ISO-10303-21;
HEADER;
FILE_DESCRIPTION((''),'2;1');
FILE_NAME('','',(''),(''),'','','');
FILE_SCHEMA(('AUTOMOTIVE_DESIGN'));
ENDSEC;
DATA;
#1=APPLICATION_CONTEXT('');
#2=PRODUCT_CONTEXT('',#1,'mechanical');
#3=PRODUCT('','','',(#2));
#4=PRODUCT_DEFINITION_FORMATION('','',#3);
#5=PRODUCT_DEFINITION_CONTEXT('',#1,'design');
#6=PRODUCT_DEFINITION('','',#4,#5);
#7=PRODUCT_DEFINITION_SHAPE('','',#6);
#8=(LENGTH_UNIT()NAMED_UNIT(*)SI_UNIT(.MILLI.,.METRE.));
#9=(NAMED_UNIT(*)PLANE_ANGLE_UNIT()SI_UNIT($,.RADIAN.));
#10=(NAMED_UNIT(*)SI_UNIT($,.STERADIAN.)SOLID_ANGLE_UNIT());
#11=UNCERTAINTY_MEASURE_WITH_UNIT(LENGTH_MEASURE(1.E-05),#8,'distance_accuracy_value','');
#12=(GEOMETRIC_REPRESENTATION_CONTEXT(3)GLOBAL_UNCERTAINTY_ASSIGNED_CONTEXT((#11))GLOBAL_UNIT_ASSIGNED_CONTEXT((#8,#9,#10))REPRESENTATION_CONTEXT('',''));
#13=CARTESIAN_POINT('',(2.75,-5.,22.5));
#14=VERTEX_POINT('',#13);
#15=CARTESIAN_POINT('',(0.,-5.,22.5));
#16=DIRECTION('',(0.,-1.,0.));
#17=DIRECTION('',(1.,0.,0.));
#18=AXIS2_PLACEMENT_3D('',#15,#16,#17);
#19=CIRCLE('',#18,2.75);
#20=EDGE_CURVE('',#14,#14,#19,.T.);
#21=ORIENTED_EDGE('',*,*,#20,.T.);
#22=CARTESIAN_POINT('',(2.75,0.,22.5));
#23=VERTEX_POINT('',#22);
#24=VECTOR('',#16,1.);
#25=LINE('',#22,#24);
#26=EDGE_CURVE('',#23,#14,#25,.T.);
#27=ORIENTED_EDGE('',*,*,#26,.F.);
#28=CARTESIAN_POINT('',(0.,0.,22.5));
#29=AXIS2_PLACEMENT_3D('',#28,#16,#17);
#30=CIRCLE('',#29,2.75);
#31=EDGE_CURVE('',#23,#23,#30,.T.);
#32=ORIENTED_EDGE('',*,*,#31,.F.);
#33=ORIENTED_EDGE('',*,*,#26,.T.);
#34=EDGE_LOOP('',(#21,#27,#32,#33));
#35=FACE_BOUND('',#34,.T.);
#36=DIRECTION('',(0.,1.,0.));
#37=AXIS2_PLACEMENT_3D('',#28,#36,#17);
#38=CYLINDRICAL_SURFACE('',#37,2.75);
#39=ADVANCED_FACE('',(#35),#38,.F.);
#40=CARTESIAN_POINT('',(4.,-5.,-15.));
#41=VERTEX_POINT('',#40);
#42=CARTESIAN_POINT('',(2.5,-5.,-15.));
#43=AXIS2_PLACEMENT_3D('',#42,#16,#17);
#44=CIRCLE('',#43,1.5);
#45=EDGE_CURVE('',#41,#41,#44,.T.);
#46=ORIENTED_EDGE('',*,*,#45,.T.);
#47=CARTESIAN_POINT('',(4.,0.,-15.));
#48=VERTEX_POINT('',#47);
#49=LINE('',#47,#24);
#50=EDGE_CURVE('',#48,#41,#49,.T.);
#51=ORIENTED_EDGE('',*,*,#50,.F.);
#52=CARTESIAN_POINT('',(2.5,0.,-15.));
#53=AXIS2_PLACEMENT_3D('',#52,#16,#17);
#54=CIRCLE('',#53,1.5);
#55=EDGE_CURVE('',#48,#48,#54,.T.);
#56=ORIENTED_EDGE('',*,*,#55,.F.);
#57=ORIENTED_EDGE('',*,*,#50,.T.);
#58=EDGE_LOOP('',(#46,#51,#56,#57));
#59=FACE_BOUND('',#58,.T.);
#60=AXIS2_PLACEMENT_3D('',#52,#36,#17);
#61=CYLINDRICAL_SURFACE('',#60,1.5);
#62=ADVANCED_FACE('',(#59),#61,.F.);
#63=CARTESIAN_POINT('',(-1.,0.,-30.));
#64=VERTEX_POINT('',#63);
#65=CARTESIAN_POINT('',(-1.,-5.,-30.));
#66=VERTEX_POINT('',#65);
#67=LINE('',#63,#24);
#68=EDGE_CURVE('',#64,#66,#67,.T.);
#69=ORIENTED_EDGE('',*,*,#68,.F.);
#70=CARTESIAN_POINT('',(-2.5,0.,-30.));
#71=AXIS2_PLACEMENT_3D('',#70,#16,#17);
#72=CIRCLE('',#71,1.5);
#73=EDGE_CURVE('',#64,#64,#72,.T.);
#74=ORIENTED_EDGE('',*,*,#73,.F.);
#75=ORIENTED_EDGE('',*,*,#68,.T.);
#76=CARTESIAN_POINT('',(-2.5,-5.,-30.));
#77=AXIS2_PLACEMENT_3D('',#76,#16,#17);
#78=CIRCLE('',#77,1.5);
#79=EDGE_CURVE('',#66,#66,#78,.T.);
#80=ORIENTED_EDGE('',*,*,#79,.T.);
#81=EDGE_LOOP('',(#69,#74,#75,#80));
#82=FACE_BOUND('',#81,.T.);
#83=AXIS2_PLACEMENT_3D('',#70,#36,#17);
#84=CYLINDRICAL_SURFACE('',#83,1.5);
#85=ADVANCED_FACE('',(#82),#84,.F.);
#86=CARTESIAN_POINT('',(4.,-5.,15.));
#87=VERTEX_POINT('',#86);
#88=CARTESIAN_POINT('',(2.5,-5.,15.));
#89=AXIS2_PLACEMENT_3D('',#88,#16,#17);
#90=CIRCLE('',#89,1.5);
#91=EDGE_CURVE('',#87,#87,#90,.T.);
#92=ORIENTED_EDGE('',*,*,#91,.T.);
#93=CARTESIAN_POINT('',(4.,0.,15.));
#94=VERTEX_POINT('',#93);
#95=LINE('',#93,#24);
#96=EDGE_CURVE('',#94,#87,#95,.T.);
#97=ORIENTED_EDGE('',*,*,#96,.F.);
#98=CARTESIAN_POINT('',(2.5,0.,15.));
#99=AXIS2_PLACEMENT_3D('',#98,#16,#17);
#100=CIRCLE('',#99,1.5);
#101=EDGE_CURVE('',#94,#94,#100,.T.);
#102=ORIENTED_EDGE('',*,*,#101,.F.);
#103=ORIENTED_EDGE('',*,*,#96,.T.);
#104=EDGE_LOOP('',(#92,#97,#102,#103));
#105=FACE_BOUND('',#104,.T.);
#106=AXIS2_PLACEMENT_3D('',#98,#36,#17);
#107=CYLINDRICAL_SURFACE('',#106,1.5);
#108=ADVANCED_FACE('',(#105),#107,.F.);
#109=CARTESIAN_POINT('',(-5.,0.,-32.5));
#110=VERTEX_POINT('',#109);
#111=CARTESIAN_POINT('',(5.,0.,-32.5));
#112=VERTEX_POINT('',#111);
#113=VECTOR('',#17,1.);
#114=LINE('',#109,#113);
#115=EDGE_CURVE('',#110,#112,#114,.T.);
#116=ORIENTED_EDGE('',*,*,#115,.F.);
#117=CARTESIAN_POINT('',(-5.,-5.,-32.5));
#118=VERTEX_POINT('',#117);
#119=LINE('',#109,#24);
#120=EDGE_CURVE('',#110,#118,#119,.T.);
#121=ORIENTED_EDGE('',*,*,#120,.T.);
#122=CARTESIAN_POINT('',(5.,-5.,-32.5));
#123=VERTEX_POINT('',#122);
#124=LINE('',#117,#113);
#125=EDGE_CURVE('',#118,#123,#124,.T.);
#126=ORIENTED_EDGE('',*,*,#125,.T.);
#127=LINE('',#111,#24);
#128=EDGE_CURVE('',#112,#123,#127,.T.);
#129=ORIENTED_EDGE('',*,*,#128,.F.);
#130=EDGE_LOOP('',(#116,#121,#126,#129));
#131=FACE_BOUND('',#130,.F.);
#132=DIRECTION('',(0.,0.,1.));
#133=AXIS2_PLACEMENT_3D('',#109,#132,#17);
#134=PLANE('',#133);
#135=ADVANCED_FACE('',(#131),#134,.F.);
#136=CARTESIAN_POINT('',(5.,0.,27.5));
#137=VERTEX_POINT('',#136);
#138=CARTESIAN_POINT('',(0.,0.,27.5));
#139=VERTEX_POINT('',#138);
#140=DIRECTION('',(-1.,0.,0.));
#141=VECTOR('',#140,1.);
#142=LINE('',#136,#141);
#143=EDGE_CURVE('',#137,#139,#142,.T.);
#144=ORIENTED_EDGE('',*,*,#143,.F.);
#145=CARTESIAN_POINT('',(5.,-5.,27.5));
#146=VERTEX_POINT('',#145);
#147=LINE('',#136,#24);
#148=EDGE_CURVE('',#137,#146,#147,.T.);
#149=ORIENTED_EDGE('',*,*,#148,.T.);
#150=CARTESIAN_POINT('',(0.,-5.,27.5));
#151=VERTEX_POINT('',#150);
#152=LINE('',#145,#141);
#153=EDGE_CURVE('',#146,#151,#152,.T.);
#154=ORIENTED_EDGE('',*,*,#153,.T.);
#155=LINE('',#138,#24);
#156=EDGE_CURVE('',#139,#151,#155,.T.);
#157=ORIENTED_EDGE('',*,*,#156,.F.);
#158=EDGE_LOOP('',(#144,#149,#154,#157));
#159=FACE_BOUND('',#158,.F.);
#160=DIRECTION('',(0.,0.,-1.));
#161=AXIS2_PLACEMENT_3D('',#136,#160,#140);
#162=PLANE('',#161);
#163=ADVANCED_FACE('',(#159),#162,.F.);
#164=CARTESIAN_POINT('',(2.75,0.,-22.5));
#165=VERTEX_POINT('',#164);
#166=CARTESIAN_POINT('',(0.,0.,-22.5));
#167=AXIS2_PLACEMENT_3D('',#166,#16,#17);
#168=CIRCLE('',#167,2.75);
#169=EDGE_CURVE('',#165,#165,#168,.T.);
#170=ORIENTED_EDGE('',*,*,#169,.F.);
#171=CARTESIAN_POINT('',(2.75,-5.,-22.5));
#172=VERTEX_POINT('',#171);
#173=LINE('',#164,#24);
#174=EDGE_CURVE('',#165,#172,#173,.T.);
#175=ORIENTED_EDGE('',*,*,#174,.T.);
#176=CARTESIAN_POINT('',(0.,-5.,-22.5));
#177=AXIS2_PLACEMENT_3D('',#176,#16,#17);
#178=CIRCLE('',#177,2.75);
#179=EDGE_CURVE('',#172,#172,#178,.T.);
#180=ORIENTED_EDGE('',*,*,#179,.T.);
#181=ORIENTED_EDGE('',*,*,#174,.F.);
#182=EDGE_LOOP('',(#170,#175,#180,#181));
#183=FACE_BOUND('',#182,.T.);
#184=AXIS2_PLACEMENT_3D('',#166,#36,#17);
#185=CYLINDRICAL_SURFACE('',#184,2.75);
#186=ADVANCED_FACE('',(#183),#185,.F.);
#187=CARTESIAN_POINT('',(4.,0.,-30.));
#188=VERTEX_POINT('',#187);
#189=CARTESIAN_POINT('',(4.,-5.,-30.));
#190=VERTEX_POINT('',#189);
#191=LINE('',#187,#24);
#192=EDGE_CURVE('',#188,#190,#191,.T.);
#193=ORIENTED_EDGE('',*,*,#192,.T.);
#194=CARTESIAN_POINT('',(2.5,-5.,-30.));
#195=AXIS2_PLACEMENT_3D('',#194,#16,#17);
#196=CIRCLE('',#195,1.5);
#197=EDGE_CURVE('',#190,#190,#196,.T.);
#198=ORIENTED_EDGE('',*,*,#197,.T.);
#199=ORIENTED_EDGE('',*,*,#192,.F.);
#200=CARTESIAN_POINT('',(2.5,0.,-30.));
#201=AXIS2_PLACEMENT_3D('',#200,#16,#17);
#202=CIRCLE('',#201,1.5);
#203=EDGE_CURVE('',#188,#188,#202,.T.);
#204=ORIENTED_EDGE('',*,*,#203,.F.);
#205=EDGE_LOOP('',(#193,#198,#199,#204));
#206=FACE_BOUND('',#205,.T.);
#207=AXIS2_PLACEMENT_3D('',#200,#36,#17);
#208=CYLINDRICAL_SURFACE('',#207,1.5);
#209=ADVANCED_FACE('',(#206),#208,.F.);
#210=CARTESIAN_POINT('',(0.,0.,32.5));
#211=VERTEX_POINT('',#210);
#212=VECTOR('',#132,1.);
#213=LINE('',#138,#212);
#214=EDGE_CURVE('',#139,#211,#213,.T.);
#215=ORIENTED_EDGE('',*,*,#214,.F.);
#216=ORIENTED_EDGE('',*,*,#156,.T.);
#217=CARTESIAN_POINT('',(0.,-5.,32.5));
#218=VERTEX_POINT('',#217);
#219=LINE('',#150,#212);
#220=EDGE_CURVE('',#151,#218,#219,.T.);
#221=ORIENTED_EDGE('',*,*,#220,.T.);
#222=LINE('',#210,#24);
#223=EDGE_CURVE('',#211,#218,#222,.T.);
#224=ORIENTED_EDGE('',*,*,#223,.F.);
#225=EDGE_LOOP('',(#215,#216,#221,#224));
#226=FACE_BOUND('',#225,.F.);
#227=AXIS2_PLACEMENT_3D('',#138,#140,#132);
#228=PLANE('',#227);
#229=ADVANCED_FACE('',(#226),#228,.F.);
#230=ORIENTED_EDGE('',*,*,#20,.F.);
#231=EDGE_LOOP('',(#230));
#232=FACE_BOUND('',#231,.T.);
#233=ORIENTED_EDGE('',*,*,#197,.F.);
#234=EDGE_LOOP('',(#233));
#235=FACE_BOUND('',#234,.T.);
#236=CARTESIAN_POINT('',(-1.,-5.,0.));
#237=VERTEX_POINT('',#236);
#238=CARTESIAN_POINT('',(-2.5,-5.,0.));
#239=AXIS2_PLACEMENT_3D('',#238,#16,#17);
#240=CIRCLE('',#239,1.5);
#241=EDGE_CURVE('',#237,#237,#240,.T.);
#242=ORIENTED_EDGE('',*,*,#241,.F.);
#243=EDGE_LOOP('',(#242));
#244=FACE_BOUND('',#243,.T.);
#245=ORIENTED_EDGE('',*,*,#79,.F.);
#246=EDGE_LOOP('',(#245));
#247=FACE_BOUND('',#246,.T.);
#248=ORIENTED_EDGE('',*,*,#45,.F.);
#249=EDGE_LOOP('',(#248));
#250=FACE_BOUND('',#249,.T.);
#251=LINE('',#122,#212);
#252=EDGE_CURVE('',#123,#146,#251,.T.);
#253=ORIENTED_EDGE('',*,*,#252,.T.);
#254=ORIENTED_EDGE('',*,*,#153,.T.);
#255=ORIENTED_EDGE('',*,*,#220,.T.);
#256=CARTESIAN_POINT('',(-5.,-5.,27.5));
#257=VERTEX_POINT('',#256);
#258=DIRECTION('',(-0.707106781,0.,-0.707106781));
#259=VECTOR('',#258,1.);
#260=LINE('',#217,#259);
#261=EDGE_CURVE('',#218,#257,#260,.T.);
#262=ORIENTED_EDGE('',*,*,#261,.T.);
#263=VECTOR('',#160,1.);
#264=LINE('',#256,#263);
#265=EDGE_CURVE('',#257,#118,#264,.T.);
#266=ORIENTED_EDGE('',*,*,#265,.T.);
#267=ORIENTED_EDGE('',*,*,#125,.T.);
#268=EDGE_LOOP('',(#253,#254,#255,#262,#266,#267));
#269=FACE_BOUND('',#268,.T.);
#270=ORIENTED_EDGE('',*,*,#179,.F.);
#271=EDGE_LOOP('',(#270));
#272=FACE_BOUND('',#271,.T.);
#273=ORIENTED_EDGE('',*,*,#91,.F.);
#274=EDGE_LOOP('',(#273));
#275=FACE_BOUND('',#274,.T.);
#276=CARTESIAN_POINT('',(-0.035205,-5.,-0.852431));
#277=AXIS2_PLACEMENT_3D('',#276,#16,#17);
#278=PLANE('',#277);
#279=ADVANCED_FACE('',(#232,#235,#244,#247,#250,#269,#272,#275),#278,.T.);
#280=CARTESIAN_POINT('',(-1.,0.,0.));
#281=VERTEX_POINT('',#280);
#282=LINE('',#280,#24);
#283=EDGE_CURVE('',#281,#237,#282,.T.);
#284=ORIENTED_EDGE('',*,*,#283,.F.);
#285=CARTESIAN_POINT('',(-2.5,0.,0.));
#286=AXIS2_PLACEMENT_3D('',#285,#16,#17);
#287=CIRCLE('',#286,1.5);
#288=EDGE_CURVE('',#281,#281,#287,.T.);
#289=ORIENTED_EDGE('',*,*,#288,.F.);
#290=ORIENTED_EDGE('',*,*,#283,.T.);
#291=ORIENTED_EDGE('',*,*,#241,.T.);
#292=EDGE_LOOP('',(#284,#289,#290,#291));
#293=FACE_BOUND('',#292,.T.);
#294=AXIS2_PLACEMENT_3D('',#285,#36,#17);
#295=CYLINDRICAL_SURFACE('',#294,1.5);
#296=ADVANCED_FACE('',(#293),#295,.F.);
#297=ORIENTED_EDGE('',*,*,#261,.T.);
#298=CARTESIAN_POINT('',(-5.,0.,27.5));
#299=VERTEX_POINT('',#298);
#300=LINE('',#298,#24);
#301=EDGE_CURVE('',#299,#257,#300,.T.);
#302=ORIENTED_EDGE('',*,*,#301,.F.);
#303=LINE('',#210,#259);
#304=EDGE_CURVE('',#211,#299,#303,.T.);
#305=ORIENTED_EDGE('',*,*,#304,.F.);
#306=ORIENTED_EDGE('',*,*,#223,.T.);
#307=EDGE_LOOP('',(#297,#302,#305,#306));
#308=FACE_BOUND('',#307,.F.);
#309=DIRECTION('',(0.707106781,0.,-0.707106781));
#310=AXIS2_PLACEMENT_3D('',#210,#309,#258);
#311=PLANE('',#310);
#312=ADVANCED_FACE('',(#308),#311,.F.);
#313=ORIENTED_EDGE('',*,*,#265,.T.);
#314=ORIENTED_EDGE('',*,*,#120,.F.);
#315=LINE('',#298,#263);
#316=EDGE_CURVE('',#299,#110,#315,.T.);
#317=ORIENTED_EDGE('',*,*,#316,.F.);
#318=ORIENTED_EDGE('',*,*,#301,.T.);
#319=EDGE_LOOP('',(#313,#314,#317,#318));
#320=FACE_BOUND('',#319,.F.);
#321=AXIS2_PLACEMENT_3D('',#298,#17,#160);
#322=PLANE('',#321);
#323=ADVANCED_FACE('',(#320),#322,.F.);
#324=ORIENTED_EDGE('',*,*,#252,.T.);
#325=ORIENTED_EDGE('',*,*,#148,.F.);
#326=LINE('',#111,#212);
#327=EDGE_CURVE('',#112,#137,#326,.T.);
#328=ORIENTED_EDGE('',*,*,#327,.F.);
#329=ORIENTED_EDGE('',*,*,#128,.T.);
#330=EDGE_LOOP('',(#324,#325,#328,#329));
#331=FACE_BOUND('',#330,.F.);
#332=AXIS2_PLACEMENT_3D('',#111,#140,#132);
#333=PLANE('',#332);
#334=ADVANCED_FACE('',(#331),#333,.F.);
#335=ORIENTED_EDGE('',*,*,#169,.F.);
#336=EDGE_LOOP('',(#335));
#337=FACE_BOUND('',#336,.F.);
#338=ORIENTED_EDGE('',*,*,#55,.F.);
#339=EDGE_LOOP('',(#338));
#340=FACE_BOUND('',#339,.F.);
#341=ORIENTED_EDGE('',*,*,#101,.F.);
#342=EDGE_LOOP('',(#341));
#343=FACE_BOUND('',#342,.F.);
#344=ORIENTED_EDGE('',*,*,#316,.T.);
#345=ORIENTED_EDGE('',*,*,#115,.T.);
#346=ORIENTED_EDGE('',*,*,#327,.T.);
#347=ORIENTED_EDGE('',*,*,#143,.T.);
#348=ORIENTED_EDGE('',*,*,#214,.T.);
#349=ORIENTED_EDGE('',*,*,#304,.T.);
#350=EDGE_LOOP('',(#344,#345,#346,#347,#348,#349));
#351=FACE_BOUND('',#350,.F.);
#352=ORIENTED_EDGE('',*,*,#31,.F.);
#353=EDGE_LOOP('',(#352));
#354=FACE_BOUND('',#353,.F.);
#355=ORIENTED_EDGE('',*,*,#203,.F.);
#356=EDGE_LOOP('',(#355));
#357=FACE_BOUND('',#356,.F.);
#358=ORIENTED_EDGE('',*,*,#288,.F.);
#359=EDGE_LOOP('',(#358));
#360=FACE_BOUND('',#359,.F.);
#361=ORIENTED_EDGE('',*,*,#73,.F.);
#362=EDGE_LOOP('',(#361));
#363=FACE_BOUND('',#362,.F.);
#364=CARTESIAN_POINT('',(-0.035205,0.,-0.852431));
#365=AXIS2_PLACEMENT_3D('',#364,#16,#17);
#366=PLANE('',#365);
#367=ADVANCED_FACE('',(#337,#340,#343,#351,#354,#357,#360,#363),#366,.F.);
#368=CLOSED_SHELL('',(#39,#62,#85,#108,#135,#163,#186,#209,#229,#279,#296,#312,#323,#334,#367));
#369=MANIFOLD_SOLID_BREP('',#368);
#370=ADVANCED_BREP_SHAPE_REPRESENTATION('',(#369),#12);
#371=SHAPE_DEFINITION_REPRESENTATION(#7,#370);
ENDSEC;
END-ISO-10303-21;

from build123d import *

# Parameters (mm, degrees)
F0_R     = 1.5
F0_R_2   = 2.75
F1_DEPTH = 5


with BuildPart() as f1:
    # F0 (on Front) → F1 (new body)
    with BuildSketch(Plane.XZ):
        Polygon((-5, 27.5), (-5, -32.5), (5, -32.5), (5, 27.5), (0, 27.5), (0, 32.5), align=None)
        with Locations((-2.5, -30)):
            Circle(F0_R, mode=Mode.SUBTRACT)
        with Locations((0, -22.5)):
            Circle(F0_R_2, mode=Mode.SUBTRACT)
        with Locations((2.5, -30)):
            Circle(F0_R, mode=Mode.SUBTRACT)
        with Locations((2.5, -15)):
            Circle(F0_R, mode=Mode.SUBTRACT)
        with Locations((-2.5, 0)):
            Circle(F0_R, mode=Mode.SUBTRACT)
        with Locations((2.5, 15)):
            Circle(F0_R, mode=Mode.SUBTRACT)
        with Locations((0, 22.5)):
            Circle(F0_R_2, mode=Mode.SUBTRACT)
    extrude(amount=F1_DEPTH)


solid = f1.part
